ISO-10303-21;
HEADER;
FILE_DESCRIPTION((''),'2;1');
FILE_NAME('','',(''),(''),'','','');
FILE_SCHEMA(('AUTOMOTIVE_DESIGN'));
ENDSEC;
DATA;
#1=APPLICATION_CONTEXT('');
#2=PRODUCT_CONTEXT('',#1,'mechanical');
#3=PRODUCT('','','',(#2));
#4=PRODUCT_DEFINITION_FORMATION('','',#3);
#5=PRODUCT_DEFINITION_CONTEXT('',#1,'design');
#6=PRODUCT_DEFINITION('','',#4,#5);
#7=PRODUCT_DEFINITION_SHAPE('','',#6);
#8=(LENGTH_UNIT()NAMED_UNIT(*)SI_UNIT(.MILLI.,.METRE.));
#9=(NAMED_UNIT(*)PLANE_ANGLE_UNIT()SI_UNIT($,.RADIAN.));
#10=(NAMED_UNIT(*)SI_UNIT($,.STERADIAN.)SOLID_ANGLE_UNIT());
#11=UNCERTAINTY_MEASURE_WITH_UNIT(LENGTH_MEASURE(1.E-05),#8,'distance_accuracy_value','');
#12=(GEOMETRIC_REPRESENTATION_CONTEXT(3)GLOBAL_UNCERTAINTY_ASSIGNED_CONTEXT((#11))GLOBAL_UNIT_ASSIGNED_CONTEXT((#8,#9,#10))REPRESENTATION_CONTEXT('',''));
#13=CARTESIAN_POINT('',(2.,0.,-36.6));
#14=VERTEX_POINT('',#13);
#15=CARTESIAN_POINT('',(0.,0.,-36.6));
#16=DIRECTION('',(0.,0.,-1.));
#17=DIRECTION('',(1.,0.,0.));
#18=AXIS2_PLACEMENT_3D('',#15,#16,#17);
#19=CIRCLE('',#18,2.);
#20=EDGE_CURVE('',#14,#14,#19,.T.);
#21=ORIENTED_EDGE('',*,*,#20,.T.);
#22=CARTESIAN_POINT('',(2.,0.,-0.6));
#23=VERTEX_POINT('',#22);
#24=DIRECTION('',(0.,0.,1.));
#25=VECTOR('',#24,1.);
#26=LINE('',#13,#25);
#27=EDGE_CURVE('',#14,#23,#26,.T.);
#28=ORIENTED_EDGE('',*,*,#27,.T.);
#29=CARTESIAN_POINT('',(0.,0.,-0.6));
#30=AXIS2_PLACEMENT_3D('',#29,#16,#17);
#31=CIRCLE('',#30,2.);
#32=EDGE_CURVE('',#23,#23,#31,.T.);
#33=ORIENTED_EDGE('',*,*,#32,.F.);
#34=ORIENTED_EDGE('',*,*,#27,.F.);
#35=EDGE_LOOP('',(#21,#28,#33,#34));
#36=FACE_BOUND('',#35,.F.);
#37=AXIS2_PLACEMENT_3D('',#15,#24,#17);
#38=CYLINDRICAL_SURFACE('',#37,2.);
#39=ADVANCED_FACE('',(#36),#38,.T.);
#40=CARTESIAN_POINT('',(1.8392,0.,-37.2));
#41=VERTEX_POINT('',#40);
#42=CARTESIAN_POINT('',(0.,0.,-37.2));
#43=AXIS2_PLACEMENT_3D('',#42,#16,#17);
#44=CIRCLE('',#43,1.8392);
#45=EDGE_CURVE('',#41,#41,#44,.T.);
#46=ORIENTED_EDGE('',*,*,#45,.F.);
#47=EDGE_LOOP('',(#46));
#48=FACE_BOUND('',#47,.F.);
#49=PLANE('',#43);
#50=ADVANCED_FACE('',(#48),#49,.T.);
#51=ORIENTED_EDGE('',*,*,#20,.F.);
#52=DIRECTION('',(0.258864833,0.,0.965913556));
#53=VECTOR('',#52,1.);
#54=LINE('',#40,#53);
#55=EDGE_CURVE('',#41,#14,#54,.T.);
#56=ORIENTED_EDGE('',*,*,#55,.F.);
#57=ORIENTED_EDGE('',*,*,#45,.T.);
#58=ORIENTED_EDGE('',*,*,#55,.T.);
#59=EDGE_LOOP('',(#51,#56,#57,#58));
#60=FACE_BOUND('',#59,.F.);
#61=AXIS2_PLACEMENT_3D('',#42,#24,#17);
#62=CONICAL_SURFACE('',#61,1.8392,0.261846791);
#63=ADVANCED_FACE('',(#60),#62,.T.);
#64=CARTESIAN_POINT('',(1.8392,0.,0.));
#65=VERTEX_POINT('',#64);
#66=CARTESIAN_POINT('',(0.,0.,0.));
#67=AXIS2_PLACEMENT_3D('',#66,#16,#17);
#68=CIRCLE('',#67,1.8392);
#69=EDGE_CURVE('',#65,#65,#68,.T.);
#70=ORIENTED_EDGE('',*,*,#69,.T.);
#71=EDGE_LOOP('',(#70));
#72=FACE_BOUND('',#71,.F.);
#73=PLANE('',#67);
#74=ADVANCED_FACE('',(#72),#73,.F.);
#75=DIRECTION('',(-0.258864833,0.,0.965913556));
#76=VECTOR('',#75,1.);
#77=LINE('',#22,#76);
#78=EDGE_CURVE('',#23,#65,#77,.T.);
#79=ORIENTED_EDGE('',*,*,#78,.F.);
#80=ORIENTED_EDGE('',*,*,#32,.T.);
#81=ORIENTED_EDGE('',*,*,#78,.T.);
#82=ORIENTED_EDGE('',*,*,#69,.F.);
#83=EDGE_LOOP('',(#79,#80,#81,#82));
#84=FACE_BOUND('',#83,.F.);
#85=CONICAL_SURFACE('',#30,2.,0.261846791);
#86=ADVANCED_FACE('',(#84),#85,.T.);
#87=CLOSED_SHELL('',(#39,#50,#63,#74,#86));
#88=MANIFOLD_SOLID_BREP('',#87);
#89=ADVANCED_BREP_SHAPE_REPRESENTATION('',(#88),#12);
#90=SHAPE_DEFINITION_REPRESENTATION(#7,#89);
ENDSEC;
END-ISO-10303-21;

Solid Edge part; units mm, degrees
sketch "Sketch1" plane through (0, 0, 0) normal (0, -1, 0) x (1, 0, 0)
  line L0 (0, -37.2) -> (1.8392, -37.2)
  line L1 (1.8392, -37.2) -> (2, -36.6)
  line L2 (2, -36.6) -> (2, -0.6)
  line L3 (2, -0.6) -> (1.8392, 0)
  line L4 (1.8392, 0) -> (0, 0)
  dimension "D1" = 2
  dimension "D2" = 36
  dimension "D3" = 0.6
revolve "RevolvedProtrusion_1" add sketch "Sketch1" angle 360 about axis through (0, 0, 0) along (0, 0, -1)
properties material "Stahl"
